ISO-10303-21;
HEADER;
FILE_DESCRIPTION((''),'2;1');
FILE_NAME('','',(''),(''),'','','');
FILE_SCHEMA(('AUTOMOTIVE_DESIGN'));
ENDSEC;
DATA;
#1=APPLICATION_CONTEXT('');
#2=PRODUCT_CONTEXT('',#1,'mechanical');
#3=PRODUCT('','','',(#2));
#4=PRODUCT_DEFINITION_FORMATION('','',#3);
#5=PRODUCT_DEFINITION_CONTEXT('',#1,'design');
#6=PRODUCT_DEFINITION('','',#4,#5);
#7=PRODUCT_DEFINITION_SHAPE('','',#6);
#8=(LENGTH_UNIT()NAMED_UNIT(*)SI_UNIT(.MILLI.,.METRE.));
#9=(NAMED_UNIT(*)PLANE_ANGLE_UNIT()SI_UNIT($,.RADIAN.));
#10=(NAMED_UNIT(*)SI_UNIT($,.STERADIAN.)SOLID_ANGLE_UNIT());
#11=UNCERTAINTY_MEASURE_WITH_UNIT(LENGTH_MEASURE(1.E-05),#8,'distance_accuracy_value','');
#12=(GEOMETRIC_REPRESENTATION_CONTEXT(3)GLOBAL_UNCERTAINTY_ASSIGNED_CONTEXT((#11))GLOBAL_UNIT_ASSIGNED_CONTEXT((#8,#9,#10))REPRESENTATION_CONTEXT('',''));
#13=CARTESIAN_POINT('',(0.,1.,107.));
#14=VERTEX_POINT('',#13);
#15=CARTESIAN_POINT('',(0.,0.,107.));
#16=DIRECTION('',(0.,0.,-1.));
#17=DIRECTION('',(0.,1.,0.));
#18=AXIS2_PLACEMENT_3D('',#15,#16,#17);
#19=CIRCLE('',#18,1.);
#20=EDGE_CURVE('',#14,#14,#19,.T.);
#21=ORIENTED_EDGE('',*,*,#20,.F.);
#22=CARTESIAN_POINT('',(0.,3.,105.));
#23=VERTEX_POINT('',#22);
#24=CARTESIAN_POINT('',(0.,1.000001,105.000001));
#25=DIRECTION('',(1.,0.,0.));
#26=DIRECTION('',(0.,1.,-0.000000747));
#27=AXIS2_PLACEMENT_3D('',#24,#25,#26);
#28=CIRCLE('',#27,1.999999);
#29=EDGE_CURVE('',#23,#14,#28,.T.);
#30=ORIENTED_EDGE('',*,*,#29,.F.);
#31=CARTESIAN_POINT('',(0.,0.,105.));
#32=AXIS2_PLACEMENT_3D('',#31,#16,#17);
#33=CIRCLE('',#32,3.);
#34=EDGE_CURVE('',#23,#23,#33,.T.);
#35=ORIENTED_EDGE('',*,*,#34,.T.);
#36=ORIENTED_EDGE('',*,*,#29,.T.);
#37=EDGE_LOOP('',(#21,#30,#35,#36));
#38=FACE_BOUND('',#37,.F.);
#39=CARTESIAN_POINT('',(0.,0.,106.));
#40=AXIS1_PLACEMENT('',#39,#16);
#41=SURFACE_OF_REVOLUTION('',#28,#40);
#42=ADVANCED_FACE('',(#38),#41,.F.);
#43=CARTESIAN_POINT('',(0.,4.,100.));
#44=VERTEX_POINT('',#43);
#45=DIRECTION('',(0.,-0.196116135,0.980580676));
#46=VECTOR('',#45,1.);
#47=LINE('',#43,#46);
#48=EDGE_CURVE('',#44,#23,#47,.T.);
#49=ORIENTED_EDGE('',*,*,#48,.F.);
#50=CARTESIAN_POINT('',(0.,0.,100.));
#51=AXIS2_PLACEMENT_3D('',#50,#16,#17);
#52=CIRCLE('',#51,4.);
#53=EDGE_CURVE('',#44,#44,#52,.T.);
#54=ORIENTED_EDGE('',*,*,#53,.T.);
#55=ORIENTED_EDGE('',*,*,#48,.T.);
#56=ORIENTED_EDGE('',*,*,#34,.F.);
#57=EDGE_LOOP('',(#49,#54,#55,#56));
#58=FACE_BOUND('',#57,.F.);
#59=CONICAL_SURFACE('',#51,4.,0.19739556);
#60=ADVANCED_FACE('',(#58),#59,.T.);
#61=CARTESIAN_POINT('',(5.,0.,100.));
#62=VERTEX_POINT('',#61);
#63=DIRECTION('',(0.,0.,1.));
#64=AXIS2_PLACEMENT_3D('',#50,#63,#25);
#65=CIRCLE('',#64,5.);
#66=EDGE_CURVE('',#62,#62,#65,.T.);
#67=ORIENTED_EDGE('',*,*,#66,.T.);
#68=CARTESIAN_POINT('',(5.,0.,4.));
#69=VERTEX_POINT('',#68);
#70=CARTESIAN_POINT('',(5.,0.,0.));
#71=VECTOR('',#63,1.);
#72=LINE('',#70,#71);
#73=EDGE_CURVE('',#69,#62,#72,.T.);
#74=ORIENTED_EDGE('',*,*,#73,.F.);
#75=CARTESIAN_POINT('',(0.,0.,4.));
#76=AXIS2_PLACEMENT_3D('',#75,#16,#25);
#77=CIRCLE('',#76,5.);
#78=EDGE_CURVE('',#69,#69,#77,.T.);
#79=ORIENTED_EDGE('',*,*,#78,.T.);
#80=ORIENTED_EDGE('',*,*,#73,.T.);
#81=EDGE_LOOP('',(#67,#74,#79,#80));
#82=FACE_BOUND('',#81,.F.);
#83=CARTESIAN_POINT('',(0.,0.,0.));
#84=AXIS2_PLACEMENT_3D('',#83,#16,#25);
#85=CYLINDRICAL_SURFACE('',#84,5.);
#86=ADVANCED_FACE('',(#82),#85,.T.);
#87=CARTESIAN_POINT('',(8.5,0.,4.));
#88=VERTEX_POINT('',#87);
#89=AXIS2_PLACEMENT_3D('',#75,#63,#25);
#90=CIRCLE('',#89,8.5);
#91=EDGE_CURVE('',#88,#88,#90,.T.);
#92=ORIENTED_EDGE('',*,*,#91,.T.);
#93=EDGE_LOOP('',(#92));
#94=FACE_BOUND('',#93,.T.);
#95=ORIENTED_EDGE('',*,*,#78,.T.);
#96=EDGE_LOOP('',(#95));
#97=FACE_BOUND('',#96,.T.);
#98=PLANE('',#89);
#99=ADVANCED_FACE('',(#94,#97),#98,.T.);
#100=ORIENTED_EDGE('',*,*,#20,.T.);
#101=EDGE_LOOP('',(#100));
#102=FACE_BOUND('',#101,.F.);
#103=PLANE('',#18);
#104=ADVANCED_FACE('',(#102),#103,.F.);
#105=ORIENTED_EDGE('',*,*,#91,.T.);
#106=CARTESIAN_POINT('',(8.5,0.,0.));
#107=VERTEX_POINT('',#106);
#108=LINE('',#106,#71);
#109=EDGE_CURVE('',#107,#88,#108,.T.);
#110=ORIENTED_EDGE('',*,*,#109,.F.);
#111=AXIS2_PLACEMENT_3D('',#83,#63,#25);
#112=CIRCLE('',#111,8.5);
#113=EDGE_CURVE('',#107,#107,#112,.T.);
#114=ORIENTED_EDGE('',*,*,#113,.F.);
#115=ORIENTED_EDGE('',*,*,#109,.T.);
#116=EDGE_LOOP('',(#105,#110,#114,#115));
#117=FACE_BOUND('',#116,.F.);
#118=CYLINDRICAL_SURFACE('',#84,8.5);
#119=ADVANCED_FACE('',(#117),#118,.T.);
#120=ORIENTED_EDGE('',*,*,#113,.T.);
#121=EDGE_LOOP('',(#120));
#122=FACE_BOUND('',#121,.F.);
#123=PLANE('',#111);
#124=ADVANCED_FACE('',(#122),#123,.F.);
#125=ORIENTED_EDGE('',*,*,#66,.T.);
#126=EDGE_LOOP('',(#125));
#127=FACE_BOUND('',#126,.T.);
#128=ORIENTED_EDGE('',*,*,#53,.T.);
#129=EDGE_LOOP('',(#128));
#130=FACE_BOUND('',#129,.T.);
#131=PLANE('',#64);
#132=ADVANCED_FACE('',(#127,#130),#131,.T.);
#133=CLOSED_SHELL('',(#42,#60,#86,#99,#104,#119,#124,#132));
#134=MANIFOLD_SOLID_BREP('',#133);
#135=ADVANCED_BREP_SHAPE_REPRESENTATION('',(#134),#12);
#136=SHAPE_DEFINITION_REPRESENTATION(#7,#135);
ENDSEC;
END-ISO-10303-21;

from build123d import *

# Parameters (mm, degrees)
F0_R     = 8.5
F1_DEPTH = 4
F2_R     = 5
F3_DEPTH = 100


with BuildPart() as f1:
    # F0 (on Top) → F1 (new body)
    with BuildSketch(Plane.XY):
        Circle(F0_R)
    extrude(amount=F1_DEPTH)

    # F2 (on Top) → F3 (join)
    with BuildSketch(Plane.XY):
        Circle(F2_R)
    extrude(amount=F3_DEPTH)

    # F4 (on Right) → F5 (revolve)
    with BuildSketch(Plane.YZ):
        Polygon((3, 105), (0, 105), (0, 100), (4, 100), align=None)
    revolve(axis=Axis((0, 0, 102.5), (0, 0, -1)))

    # F6 (on Right) → F7 (revolve)
    with BuildSketch(Plane.YZ):
        with BuildLine():
            Line((1, 107), (0, 107))
            Line((0, 107), (0, 105))
            Line((0, 105), (3, 105))
            ThreePointArc((3, 105), (2.414214, 106.414214), (1, 107))
        make_face()
    revolve(axis=Axis((0, 0, 106), (0, 0, -1)))


solid = f1.part
